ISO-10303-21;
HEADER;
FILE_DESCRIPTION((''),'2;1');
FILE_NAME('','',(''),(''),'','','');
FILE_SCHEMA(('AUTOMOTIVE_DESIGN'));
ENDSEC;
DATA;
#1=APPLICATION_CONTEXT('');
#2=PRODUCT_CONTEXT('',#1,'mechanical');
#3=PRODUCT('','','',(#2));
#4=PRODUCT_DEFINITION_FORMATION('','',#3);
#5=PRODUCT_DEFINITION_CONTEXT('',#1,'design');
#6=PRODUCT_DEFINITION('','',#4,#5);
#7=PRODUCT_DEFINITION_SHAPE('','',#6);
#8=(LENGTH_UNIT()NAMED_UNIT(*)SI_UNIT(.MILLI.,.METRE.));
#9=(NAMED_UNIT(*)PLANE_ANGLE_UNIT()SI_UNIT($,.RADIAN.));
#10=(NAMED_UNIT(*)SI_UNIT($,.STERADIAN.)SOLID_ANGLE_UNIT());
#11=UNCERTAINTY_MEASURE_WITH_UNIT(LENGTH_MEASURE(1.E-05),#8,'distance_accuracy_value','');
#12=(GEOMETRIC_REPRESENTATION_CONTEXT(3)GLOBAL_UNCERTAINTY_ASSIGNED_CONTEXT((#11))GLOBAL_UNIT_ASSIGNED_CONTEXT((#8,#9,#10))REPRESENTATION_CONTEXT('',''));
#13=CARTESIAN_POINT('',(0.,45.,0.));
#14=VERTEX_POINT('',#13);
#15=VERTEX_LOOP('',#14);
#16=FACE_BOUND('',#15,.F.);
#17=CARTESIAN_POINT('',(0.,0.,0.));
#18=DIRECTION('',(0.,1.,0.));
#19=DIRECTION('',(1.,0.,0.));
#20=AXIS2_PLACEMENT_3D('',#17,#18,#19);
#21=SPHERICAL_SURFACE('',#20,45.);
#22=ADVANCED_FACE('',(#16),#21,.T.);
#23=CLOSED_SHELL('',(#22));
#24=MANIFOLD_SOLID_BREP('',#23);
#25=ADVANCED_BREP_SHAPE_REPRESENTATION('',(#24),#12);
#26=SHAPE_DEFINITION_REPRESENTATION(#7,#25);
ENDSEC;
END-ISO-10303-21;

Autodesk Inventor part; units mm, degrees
ref_plane "YZ Plane" through (0, 0, 0) normal (1, 0, 0) x (0, 1, 0)
ref_plane "XZ Plane" through (0, 0, 0) normal (0, 1, 0) x (-1, 0, 0)
ref_plane "XY Plane" through (0, 0, 0) normal (0, 0, 1) x (1, 0, 0)
sketch "Sketch1" plane through (0, 0, 0) normal (0, 0, 1) x (1, 0, 0)
  arc A0 (0, -45) -> (0, 45) centre (0, 0) ccw
  line L0 (0, 45) -> (0, -45)
  dimension "d0" = 90
  dimension "d1" = 90
revolve "Revolution1" add sketch "Sketch1" angle 360 about axis through (0, 45, 0) along (0, -1, 0)
properties part number "球"
